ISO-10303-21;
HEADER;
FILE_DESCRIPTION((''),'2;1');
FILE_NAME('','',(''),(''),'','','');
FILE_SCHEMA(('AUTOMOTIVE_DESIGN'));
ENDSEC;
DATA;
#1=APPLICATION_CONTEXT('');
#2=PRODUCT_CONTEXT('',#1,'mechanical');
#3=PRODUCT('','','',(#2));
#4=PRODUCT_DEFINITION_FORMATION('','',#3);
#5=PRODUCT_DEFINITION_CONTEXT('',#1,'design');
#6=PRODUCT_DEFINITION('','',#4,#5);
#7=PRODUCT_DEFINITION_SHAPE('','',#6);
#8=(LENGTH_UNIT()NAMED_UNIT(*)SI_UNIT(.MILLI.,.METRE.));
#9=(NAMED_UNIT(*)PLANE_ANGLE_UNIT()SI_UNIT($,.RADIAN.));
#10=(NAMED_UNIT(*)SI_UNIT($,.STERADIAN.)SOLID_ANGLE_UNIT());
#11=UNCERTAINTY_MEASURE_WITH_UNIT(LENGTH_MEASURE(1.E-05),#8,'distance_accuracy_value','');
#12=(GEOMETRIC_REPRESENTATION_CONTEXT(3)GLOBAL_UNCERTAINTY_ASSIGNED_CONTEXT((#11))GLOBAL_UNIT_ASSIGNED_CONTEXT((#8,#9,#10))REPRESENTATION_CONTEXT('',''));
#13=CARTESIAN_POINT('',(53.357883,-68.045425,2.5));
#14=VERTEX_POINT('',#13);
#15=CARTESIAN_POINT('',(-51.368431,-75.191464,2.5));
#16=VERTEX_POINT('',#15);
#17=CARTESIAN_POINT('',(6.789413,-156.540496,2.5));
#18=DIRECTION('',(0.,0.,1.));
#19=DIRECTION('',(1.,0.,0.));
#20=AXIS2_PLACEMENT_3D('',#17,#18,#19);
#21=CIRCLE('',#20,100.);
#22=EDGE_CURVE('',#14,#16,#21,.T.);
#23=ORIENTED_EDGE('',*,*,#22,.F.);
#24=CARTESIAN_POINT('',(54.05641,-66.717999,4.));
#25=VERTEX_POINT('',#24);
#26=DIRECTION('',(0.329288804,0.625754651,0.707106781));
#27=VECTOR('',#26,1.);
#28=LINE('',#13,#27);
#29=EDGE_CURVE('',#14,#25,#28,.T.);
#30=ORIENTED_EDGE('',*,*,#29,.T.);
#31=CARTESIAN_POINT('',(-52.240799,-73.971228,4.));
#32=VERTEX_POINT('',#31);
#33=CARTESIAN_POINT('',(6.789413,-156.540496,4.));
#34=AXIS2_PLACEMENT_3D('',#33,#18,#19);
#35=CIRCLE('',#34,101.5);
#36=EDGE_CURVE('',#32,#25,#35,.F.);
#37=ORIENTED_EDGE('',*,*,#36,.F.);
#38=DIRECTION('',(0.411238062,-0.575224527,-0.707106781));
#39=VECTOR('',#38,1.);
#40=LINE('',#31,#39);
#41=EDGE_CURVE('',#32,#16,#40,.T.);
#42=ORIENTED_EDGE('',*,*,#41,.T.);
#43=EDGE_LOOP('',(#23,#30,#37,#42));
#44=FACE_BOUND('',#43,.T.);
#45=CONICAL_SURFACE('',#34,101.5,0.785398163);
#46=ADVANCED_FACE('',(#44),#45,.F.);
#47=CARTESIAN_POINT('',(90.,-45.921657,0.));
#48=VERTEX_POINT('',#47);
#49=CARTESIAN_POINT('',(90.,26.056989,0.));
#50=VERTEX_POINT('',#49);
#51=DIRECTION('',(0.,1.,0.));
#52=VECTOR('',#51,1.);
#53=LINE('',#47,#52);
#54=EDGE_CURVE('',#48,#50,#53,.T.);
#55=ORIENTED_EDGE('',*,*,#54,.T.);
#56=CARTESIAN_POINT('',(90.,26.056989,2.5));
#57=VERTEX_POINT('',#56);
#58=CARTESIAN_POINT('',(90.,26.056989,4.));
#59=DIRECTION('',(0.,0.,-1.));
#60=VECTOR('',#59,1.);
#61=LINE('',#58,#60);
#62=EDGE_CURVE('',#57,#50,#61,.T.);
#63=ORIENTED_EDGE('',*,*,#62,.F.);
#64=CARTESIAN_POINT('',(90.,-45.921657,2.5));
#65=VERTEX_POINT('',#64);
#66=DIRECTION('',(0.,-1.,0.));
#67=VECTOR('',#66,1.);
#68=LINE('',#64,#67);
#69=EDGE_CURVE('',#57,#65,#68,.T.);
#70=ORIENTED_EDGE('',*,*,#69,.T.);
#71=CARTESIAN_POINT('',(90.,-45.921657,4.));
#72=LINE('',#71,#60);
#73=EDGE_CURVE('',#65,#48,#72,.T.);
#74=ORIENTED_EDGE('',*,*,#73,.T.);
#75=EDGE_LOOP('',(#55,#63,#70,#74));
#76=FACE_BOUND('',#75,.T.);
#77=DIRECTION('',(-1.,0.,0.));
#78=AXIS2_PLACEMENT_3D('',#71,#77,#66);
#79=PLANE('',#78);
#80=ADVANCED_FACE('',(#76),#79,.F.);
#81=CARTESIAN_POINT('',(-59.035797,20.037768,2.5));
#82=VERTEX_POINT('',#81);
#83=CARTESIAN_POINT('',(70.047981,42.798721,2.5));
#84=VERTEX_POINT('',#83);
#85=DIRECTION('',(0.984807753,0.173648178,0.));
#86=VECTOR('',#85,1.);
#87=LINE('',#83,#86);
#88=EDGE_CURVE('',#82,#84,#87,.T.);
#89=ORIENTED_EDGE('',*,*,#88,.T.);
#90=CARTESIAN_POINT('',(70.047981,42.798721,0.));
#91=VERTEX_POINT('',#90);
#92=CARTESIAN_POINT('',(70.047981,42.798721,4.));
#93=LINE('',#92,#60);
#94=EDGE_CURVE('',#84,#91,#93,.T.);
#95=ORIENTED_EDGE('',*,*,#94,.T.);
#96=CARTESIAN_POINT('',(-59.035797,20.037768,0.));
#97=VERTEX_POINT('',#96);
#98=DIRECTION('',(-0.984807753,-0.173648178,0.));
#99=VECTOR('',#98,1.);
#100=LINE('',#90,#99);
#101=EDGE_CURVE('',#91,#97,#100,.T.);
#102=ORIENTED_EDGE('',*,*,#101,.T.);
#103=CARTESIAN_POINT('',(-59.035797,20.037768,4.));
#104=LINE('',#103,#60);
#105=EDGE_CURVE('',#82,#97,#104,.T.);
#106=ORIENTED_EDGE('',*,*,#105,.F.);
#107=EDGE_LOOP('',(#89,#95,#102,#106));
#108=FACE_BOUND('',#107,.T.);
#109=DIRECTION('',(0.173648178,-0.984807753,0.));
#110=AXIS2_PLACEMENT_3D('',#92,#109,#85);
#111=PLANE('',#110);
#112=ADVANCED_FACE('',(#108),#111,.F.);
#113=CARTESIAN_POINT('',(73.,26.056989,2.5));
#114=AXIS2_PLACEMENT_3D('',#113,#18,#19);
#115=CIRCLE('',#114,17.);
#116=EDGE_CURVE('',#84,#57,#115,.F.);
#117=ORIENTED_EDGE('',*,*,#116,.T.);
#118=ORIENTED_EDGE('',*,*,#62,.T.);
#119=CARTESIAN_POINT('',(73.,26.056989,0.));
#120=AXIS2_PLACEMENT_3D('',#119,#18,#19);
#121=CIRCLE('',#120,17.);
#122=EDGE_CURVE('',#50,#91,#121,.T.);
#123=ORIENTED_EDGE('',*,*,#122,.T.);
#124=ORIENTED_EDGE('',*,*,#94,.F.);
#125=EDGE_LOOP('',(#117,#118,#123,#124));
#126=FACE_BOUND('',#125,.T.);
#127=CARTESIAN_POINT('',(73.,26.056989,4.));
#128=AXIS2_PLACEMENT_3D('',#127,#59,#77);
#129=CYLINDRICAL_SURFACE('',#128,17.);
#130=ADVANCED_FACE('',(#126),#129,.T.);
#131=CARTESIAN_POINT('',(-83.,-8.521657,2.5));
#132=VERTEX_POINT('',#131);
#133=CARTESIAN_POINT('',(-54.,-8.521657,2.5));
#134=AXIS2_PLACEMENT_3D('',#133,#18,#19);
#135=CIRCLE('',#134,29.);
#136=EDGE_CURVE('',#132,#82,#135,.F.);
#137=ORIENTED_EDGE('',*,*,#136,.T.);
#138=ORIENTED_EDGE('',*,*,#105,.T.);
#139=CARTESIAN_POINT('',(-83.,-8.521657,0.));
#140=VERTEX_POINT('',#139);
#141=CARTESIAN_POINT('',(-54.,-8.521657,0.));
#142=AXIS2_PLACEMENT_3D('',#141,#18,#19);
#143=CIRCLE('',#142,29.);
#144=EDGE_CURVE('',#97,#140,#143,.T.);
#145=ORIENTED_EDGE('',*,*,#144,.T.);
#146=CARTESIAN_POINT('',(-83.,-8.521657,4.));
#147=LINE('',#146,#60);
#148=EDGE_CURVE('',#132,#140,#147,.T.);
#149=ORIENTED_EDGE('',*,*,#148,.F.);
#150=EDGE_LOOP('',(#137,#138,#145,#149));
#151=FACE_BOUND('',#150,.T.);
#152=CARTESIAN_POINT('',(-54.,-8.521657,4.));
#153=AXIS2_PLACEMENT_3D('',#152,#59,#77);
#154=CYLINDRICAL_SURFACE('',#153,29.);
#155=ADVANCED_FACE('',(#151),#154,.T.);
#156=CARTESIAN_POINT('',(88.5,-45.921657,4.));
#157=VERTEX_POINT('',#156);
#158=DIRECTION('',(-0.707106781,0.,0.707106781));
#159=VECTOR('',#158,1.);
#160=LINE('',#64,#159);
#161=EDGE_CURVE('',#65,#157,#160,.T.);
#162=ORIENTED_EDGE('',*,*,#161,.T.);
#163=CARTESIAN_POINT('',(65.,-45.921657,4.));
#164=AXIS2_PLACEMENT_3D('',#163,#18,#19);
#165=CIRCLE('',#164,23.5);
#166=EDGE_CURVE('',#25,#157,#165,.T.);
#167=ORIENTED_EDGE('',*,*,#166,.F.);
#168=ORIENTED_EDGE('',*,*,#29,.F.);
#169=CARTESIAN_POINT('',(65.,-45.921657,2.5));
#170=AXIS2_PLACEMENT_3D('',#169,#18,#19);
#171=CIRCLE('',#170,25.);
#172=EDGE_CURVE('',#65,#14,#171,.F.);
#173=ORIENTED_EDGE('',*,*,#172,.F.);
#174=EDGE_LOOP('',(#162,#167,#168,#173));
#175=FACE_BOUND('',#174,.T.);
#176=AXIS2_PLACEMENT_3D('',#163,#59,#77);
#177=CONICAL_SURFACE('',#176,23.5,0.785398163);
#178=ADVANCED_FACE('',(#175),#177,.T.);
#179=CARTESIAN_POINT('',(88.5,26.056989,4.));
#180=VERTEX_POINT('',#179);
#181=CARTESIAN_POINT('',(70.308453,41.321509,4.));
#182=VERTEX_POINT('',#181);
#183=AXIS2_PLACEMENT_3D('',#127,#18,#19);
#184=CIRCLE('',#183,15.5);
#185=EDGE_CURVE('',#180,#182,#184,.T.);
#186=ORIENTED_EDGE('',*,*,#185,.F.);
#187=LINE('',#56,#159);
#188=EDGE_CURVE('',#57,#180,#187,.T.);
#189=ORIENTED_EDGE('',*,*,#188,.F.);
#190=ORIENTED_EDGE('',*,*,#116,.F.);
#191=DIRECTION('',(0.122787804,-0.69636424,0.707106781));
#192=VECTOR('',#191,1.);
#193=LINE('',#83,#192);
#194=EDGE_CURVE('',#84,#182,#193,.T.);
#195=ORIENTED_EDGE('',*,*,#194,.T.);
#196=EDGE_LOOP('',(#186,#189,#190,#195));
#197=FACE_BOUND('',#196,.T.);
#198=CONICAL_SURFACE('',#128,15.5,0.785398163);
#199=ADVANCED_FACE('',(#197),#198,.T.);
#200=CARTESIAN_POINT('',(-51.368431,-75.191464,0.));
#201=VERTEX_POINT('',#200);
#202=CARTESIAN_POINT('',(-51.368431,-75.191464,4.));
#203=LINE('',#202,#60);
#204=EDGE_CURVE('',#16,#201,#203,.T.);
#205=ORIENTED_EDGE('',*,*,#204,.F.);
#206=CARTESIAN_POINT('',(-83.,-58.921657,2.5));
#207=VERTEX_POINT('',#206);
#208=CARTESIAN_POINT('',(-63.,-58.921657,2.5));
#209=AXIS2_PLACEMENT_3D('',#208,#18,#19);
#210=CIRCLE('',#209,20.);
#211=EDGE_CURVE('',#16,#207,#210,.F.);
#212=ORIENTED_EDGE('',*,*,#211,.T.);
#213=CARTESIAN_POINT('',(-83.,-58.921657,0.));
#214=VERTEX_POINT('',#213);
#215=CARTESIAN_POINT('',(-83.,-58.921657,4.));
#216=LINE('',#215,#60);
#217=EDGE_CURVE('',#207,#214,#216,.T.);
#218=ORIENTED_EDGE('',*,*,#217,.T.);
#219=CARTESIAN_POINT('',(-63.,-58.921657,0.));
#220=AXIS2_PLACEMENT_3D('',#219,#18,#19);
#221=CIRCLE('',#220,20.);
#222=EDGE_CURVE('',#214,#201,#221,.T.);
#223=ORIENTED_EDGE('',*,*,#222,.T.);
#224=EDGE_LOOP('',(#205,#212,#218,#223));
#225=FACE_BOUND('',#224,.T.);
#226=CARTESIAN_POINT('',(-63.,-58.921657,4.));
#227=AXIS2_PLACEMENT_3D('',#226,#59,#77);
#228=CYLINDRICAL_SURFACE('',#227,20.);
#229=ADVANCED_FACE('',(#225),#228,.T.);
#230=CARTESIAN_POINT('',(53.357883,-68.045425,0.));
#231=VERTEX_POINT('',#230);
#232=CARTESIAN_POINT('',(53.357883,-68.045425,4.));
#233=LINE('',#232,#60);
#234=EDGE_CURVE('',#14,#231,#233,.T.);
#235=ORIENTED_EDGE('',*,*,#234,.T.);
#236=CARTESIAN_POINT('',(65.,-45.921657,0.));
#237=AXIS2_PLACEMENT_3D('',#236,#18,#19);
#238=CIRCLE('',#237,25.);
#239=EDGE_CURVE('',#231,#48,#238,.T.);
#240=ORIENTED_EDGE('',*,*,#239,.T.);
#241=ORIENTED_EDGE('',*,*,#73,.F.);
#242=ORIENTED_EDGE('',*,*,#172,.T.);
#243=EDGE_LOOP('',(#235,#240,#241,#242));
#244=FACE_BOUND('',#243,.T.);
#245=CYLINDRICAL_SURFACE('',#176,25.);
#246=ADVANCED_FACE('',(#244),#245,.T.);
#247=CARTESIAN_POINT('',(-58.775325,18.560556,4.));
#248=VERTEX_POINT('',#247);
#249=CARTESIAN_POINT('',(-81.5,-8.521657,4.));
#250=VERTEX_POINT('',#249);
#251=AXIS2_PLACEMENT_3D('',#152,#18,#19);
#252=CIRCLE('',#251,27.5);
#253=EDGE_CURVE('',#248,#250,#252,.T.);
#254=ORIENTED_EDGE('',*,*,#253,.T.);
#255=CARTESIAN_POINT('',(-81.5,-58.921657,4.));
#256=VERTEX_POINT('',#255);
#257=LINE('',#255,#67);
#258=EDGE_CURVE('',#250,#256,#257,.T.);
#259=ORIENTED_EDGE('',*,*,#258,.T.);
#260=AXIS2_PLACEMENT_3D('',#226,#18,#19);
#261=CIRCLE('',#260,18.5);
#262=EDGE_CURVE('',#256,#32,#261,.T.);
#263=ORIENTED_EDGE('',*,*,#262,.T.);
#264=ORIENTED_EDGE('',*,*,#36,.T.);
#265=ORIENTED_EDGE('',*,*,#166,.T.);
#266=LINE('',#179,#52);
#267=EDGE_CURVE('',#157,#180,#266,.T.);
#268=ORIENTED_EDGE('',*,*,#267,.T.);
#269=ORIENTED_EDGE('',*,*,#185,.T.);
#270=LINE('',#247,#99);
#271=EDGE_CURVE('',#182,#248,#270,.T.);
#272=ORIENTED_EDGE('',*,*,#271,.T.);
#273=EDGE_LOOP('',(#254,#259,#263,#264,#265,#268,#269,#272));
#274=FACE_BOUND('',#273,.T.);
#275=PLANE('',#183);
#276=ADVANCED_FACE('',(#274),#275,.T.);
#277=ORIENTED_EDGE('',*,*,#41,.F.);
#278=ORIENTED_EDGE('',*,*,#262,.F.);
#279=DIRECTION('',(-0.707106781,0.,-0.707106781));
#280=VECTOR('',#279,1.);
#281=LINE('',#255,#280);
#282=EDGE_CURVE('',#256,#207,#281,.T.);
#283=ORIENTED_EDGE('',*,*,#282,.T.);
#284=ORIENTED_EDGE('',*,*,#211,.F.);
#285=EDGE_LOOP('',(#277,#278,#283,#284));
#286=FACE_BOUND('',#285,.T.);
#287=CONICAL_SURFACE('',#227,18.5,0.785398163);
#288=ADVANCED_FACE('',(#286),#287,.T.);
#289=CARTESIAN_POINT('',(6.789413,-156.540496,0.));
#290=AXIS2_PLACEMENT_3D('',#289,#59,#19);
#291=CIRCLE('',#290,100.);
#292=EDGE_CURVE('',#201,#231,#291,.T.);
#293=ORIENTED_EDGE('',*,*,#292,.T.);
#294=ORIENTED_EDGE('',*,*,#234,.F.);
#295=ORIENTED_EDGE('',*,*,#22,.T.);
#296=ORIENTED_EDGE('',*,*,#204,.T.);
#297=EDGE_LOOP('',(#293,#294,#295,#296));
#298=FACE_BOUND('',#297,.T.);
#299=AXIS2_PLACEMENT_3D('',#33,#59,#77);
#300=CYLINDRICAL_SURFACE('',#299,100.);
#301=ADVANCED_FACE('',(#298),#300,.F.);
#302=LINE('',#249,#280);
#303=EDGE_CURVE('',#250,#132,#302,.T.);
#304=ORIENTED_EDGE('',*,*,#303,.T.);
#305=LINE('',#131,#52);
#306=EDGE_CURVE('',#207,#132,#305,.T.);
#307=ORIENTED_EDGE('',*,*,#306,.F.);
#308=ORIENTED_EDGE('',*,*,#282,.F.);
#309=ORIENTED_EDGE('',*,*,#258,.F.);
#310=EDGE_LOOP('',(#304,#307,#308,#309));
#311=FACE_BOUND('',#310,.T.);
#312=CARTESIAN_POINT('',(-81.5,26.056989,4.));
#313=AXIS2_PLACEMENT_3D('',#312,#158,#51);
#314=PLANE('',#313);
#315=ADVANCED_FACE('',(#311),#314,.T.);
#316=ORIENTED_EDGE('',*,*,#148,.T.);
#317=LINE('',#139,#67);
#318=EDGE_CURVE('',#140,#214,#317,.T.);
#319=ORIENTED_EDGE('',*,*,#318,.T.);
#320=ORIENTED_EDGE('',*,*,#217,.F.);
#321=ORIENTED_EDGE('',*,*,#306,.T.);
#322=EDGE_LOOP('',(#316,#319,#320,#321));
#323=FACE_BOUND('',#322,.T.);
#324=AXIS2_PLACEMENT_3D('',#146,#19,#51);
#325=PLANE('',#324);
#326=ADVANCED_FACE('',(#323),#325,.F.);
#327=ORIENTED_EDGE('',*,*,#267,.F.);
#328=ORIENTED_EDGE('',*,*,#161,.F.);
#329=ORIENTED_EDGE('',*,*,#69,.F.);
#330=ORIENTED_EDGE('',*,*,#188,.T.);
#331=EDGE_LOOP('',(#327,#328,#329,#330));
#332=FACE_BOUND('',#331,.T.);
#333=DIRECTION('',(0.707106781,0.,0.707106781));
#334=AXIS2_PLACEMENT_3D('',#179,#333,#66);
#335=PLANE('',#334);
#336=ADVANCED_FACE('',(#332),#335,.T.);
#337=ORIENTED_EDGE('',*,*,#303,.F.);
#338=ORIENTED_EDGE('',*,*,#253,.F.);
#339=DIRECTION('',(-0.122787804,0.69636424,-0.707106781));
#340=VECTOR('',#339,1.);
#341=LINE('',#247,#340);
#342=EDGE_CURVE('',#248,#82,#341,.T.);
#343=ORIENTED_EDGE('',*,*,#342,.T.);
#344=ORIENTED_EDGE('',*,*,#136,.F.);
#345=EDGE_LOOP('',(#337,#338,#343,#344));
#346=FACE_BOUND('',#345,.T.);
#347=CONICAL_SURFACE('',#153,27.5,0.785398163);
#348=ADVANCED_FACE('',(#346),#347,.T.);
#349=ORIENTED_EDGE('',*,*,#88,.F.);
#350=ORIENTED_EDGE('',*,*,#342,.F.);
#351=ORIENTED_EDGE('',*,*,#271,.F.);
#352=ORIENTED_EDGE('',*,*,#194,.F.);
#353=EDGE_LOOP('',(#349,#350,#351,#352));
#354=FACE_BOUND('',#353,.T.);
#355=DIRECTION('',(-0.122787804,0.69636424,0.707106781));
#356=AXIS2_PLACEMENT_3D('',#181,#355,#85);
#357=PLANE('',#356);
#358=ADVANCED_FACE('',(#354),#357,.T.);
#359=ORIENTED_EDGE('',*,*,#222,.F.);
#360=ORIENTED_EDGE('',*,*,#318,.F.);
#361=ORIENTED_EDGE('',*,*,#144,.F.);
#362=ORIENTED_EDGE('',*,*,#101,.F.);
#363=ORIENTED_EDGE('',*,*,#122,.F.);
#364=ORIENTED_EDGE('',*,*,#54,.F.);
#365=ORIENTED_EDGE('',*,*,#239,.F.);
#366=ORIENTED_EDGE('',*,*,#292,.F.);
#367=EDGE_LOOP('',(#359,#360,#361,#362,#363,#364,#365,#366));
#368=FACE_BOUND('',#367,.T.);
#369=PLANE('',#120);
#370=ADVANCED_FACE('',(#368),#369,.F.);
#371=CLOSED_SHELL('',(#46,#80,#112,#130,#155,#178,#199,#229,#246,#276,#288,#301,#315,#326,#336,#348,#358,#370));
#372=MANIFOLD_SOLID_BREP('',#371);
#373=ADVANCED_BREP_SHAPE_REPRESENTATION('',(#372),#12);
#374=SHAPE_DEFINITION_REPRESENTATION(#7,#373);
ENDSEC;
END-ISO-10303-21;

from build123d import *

# Parameters (mm, degrees)
BOSS_EXTRUDE1_DEPTH = 4
CHAMFER1_SIZE       = 1.5


with BuildPart() as part:
    # Sketch1 → Boss-Extrude1 (new body)
    with BuildSketch(Plane.XY):
        with BuildLine():
            Line((70.04798098, 42.798720736), (-59.035797152, 20.037767879))
            ThreePointArc((-59.035797152, 20.037767879), (-76.21528885, 10.119183723), (-83, -8.521656958))
            Line((-83, -8.521656958), (-83, -58.921656958))
            ThreePointArc((-83, -58.921656958), (-72.147912935, -76.706923022), (-51.368431106, -75.191463505))
            ThreePointArc((-51.368431106, -75.191463505), (-0.018293401, -56.7724897), (53.357882673, -68.045424814))
            ThreePointArc((53.357882673, -68.045424814), (77.92182392, -67.32320986), (90, -45.921656958))
            Line((90, -45.921656958), (90, 26.056988934))
            ThreePointArc((90, 26.056988934), (83.927389365, 39.079744467), (70.04798098, 42.798720736))
        make_face()
    extrude(amount=BOSS_EXTRUDE1_DEPTH)

    # Chamfer1
    chamfer1_edges = [part.edges().sort_by_distance(p)[0] for p in [
        (-76.21528885, 10.119183723, 4),
        (-83, -33.721656958, 4),
        (-72.147912935, -76.706923022, 4),
        (-0.018293401, -56.7724897, 4),
        (77.92182392, -67.32320986, 4),
        (90, -9.932334012, 4),
        (83.927389365, 39.079744467, 4),
        (5.506091914, 31.418244307, 4),
    ]]
    chamfer(chamfer1_edges, length=CHAMFER1_SIZE)


solid = part.part
